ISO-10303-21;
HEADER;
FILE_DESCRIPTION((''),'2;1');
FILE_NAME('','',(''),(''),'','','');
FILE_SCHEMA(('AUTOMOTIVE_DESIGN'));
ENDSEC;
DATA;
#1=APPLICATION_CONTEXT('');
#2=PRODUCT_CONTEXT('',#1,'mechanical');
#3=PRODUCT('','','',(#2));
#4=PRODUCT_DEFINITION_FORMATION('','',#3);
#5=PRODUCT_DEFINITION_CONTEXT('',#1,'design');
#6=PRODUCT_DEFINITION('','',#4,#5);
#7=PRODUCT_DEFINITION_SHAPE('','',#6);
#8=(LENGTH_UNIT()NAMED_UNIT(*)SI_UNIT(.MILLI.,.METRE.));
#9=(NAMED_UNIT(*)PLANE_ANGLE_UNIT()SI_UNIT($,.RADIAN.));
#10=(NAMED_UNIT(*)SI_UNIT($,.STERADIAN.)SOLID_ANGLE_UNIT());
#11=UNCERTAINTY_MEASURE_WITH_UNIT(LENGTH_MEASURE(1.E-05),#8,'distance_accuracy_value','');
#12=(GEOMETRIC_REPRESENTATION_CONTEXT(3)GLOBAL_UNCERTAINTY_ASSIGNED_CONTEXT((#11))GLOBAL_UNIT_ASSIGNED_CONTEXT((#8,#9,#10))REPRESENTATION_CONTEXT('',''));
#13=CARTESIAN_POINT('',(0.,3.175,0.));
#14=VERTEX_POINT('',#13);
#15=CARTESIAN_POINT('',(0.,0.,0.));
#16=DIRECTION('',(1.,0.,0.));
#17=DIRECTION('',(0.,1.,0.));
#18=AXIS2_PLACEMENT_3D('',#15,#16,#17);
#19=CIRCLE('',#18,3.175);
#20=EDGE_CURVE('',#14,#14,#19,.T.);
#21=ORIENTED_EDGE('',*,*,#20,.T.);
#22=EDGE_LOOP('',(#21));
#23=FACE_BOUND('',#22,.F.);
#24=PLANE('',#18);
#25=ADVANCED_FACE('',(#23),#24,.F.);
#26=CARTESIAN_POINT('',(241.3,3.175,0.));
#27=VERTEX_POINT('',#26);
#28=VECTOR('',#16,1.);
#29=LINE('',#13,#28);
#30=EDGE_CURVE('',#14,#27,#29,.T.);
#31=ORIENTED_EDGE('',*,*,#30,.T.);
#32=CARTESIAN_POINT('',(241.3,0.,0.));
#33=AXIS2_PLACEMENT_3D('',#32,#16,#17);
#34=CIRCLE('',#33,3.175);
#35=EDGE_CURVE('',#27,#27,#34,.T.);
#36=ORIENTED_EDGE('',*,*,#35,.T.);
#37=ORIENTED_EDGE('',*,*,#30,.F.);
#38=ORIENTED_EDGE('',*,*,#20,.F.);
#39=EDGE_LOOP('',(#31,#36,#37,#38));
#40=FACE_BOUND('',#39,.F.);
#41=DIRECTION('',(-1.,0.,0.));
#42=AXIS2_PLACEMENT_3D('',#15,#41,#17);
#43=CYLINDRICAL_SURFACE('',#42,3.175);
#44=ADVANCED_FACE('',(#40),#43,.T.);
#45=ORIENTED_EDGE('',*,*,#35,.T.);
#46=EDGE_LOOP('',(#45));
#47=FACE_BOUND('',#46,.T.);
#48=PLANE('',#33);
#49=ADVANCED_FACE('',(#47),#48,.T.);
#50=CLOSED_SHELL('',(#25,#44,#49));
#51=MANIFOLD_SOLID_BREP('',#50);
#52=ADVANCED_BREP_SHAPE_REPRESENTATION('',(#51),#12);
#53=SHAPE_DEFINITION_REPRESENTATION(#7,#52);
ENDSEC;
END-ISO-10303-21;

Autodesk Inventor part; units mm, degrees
ref_plane "YZ Plane" through (0, 0, 0) normal (1, 0, 0) x (0, 1, 0)
ref_plane "XZ Plane" through (0, 0, 0) normal (0, 1, 0) x (-1, 0, 0)
ref_plane "XY Plane" through (0, 0, 0) normal (0, 0, 1) x (1, 0, 0)
sketch "Sketch1" plane through (0, 0, 0) normal (1, 0, 0) x (0, 1, 0)
  circle A0 centre (0, 0) radius 3.175
  dimension "d0" = 6.35
extrude "Extrusion1" add sketch "Sketch1" along normal blind 241.3
properties part number ".25 axle size template"
